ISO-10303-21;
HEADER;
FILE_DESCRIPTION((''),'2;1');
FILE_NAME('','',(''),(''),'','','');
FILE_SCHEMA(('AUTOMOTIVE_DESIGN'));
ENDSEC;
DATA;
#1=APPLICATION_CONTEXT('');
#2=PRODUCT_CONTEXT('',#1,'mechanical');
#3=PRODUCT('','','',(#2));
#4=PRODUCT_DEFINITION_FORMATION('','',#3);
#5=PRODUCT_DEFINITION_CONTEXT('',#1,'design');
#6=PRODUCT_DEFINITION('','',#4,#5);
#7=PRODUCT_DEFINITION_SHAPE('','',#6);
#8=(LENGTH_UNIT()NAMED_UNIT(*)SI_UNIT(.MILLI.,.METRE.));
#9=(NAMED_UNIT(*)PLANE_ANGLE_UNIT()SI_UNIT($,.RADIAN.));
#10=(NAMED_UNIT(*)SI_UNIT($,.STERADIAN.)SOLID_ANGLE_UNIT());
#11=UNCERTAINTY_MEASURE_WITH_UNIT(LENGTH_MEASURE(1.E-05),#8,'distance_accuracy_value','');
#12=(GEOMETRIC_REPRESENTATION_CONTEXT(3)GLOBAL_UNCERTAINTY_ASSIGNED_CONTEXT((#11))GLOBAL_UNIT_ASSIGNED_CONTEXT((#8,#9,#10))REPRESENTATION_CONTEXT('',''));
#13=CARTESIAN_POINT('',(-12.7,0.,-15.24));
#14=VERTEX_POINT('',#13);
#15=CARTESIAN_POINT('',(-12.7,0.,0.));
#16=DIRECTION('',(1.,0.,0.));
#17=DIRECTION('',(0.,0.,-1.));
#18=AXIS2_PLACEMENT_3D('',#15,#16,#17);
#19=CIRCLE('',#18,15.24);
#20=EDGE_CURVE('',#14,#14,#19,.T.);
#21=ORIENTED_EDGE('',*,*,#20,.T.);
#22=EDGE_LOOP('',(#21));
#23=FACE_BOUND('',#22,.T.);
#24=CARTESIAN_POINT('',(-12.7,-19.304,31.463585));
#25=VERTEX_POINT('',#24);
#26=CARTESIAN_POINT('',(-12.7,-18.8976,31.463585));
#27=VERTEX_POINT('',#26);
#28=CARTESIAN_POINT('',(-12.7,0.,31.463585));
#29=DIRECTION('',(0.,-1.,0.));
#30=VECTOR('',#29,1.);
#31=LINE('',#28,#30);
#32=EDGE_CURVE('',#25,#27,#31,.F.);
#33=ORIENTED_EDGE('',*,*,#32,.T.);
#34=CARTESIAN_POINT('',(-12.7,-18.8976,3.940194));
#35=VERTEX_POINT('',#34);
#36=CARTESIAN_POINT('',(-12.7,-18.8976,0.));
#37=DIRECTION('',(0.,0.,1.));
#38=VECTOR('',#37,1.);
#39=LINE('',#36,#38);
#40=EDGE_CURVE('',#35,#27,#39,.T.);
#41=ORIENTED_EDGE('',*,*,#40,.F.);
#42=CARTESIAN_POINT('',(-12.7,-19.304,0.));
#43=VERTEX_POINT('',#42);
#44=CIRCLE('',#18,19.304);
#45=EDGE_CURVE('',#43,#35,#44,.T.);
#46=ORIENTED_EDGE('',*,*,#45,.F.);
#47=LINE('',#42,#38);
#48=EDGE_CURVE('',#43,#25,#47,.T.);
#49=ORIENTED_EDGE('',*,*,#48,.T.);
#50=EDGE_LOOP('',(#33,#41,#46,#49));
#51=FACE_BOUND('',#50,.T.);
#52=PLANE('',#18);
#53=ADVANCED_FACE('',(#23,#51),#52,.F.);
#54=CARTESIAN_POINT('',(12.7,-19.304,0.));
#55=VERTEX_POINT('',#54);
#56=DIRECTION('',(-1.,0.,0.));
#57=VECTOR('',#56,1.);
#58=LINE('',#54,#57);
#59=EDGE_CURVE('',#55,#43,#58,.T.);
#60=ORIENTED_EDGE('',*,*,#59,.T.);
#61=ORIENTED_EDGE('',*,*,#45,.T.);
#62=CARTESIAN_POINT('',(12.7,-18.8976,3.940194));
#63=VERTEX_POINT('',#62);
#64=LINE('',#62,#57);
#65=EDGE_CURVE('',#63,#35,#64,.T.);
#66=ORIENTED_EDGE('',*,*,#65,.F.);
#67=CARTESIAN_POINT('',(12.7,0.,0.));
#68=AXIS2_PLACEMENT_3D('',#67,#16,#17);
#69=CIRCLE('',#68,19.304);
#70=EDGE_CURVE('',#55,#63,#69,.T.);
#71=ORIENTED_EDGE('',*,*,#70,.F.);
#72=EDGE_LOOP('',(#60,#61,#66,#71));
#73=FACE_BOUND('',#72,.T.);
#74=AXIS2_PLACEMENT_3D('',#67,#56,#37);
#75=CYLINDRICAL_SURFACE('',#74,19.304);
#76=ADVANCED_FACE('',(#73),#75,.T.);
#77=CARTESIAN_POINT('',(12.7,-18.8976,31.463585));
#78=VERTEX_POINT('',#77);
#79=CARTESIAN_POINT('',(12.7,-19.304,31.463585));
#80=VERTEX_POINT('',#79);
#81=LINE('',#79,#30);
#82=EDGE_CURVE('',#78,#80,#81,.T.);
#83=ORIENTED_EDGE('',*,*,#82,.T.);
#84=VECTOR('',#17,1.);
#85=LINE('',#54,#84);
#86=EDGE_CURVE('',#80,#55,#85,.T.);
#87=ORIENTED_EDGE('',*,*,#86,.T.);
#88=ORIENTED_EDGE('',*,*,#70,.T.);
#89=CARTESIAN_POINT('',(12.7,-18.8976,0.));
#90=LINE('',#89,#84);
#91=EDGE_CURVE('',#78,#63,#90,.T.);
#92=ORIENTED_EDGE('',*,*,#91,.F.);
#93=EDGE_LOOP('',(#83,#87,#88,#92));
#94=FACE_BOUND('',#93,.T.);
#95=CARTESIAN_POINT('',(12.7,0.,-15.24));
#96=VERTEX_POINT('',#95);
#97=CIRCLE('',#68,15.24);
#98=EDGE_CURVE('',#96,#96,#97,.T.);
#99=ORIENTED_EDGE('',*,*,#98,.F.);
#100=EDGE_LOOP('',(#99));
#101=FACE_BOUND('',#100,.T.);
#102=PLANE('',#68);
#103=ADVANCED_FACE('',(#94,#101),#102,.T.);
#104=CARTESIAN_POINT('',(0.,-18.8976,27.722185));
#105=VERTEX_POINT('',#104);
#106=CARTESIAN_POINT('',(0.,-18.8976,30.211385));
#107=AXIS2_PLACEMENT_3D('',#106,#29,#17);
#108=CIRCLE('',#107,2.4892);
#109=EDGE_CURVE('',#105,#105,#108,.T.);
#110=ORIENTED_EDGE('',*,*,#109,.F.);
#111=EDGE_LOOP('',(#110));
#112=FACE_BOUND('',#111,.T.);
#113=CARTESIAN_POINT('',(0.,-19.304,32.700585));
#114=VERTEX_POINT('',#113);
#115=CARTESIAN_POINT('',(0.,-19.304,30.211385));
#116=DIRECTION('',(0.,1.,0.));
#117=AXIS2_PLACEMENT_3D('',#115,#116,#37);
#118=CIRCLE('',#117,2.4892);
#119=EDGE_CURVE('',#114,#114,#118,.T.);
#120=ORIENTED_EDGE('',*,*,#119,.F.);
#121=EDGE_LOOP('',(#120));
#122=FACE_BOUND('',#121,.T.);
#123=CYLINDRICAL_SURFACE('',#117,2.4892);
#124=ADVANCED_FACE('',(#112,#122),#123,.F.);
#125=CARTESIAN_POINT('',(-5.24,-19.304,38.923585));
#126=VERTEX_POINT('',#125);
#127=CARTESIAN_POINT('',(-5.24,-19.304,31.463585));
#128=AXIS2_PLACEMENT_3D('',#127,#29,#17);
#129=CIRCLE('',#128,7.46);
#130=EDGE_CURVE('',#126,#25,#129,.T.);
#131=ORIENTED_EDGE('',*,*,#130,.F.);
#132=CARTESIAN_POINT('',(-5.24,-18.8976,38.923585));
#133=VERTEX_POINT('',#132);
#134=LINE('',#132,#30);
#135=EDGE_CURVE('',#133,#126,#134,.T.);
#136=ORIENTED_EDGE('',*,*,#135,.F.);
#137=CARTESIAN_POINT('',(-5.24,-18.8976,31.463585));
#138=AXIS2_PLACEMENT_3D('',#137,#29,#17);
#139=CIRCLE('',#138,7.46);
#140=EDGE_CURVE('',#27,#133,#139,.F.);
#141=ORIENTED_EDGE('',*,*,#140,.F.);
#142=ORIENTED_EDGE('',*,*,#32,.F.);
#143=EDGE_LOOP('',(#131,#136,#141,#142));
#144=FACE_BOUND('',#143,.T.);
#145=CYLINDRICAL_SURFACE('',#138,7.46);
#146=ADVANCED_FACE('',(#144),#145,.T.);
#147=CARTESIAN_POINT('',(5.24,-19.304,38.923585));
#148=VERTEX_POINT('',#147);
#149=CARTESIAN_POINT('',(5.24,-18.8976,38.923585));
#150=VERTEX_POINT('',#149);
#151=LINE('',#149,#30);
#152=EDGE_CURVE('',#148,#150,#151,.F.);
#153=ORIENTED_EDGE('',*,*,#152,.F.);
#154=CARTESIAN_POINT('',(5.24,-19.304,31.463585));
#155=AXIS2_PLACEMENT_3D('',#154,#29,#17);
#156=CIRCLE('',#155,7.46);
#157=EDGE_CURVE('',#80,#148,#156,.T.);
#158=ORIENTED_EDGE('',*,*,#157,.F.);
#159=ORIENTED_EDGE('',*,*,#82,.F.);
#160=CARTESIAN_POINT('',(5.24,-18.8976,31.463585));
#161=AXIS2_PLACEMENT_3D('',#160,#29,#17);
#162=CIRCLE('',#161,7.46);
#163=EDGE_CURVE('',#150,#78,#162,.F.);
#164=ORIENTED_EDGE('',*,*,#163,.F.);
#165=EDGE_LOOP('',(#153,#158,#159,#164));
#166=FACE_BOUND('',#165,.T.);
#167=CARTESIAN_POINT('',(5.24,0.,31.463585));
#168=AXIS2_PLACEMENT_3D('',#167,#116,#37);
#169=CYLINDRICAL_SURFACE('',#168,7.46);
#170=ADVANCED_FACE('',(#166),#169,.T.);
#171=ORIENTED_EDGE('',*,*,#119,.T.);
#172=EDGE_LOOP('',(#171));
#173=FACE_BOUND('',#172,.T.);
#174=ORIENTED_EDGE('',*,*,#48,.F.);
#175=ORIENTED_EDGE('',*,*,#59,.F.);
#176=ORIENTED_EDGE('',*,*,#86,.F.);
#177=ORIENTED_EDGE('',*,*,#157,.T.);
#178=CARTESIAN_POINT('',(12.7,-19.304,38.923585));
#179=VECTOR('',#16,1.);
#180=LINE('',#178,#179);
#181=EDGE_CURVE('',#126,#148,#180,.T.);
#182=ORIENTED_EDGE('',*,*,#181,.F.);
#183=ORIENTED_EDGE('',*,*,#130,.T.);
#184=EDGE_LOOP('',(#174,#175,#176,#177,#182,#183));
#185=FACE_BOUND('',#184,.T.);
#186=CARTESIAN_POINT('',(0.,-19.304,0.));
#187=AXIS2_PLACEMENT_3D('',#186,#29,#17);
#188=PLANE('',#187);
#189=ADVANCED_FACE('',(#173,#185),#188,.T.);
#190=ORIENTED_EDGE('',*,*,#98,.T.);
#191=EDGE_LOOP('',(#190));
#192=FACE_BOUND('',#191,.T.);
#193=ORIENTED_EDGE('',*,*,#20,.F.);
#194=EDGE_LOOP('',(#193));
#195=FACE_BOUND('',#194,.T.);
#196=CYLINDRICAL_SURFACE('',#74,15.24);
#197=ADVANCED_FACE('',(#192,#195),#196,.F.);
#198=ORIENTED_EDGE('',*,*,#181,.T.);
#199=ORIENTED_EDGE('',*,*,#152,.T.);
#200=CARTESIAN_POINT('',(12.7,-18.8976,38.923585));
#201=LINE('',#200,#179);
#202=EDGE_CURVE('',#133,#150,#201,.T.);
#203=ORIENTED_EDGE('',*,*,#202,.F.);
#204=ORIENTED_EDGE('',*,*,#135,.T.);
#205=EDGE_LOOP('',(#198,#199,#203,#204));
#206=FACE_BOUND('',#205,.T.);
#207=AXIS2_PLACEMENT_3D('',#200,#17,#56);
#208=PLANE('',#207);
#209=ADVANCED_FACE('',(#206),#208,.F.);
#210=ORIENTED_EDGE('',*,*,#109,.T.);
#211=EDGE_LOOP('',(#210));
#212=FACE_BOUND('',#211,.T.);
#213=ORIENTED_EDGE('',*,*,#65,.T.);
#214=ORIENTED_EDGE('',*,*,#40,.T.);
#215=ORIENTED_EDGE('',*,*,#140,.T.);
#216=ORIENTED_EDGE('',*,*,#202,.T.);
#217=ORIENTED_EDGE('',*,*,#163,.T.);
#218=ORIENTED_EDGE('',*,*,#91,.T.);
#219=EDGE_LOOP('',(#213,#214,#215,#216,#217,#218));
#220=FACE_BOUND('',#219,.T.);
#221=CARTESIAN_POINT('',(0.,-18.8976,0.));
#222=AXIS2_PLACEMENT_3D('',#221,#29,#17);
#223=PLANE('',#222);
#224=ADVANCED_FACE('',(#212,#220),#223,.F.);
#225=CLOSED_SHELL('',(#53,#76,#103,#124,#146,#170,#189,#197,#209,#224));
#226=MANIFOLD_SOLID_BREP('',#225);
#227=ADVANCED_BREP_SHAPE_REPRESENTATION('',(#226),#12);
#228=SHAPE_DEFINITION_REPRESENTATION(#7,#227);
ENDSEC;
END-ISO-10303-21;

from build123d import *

# Parameters (mm, degrees)
SKETCH1_R               = 19.304
SKETCH1_R_2             = 15.24
BOSS_EXTRUDE1_DEPTH     = 12.7
SKETCH2_W               = 25.4
SKETCH2_H               = 38.923585408
BOSS_EXTRUDE2_DEPTH     = 0.4064
CUT_EXTRUDE1_DEPTH      = 56.997301217
CUT_EXTRUDE1_DEPTH_BACK = 56.997301217
SKETCH3_R               = 2.4892
FILLET1_R               = 7.46


with BuildPart() as part:
    # Sketch1 → Boss-Extrude1 (new, symmetric)
    with BuildSketch(Plane(origin=(0, 0, 0), x_dir=(0, 0, -1), z_dir=(1, 0, 0))):
        Circle(SKETCH1_R)
        Circle(SKETCH1_R_2, mode=Mode.SUBTRACT)
    extrude(amount=BOSS_EXTRUDE1_DEPTH, both=True)

    # Sketch2 → Boss-Extrude2 (add)
    with BuildSketch(Plane(origin=(0, -19.304, 0), x_dir=(1, 0, 0), z_dir=(0, 1, 0))):
        with Locations((0, -19.461792704)):
            Rectangle(SKETCH2_W, SKETCH2_H)
    extrude(amount=BOSS_EXTRUDE2_DEPTH)

    # Sketch3 → Cut-Extrude1 (cut, two sides: drawn at the far end of the back side and taken through both)
    with BuildSketch(Plane(origin=(0, -18.8976, 0), x_dir=(1, 0, 0), z_dir=(0, 1, 0)).offset(-CUT_EXTRUDE1_DEPTH_BACK)):
        with Locations(Location((0, -30.211385408, 0), (0, 0, 270))):
            Circle(SKETCH3_R)
    extrude(amount=CUT_EXTRUDE1_DEPTH + CUT_EXTRUDE1_DEPTH_BACK, mode=Mode.SUBTRACT)

    # Fillet1
    fillet1_edges = [part.edges().sort_by_distance(p)[0] for p in [
        (12.7, -19.1008, 38.923585408),
        (-12.7, -19.1008, 38.923585408),
    ]]
    fillet(fillet1_edges, radius=FILLET1_R)


solid = part.part
